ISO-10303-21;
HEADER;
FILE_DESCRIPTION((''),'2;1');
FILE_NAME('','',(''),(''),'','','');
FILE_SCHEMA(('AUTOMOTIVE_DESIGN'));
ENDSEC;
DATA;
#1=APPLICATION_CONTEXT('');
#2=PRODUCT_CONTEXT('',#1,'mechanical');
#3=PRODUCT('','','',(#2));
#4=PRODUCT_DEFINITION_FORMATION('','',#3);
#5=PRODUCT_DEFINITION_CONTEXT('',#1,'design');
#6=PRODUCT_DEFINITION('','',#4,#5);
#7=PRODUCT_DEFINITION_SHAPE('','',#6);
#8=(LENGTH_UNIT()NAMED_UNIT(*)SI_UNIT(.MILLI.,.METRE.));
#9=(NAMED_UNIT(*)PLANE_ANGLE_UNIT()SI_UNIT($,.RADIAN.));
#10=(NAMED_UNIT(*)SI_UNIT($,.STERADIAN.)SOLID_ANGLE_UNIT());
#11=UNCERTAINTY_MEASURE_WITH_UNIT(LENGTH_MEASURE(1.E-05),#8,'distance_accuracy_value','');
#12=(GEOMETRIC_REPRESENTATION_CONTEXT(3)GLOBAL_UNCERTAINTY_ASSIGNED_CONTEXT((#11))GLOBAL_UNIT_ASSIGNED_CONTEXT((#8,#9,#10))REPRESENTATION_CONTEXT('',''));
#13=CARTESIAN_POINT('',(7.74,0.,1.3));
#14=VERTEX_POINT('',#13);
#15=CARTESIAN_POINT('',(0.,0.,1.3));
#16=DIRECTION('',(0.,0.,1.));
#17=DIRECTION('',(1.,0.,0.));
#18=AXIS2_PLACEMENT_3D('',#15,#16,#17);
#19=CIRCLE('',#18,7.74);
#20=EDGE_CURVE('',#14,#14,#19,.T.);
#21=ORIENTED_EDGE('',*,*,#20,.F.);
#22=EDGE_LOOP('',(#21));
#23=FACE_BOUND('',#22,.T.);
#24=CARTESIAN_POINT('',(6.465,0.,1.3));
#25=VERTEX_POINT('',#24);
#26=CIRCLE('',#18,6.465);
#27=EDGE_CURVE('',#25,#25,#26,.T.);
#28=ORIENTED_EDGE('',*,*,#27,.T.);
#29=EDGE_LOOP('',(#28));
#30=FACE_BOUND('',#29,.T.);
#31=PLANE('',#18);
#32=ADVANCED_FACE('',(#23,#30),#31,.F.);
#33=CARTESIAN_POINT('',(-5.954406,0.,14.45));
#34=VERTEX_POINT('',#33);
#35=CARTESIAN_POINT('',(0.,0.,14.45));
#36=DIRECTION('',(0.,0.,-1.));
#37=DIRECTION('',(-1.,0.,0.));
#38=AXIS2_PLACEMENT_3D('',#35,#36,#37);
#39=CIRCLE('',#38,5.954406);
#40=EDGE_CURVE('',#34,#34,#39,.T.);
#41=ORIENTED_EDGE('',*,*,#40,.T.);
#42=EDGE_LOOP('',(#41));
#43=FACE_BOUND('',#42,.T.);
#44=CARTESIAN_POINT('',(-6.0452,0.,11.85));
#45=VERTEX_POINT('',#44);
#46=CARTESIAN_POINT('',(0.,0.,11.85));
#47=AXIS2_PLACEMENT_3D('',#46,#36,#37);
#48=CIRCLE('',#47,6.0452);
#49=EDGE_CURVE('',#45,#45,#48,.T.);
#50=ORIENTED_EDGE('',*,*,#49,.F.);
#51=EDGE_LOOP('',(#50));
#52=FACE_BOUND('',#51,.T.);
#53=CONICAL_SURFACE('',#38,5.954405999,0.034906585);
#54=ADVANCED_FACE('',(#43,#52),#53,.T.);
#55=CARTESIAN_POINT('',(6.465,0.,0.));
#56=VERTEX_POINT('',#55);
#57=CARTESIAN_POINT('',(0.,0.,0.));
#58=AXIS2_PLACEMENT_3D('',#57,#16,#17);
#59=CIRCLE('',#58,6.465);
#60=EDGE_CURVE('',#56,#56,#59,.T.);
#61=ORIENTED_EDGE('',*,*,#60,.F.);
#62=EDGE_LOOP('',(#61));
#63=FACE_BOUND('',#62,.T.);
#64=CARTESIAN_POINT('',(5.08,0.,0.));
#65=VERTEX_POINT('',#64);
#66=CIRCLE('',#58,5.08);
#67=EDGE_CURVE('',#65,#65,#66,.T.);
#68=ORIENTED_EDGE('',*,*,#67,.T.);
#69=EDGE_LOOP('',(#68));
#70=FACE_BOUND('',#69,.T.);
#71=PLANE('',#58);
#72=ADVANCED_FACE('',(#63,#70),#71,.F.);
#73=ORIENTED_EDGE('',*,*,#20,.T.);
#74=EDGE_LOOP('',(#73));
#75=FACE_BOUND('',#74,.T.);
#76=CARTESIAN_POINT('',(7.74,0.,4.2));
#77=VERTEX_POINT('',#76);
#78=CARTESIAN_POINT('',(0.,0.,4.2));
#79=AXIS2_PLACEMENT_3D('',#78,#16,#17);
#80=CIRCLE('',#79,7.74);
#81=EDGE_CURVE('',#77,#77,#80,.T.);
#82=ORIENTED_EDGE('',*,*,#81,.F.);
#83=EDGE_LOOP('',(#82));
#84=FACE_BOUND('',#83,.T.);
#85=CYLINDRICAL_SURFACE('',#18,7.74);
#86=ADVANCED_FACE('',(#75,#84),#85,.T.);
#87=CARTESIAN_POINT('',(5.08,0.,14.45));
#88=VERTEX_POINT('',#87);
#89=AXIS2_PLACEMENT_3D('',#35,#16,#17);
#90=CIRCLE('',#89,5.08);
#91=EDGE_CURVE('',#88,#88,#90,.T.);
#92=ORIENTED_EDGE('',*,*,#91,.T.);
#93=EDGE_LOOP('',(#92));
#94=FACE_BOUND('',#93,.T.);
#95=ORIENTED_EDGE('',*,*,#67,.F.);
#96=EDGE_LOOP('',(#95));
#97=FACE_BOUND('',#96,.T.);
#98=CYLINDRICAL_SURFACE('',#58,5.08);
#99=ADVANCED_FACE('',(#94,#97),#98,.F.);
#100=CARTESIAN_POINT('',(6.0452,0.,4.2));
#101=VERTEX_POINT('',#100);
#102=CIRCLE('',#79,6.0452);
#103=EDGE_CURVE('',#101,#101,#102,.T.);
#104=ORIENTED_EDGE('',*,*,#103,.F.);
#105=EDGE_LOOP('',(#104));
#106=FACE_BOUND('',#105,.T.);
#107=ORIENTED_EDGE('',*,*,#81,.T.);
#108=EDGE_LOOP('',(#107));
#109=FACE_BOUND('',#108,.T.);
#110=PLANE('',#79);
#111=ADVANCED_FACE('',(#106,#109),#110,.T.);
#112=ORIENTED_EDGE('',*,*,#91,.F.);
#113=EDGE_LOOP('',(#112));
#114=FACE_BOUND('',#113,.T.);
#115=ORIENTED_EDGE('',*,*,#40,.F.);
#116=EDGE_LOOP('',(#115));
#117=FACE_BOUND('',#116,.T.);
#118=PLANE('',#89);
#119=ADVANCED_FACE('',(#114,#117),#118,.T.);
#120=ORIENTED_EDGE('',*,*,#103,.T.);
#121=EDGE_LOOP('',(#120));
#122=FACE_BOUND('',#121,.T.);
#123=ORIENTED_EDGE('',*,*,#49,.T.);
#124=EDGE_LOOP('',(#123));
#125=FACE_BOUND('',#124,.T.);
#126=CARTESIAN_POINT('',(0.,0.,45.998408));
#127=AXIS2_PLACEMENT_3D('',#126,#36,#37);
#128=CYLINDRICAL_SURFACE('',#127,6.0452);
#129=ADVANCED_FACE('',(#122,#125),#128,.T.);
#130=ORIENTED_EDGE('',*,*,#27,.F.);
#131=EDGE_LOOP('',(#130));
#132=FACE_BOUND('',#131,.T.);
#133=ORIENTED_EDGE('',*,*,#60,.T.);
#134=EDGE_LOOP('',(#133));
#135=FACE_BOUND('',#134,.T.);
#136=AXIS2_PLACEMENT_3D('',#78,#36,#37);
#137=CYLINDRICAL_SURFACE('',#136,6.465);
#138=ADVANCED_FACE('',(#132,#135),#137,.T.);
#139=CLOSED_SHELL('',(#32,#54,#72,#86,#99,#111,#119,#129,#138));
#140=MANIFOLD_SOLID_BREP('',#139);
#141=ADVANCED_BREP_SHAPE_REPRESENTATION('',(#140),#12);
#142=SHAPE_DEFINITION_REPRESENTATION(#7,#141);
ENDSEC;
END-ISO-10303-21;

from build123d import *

# Parameters (mm, degrees)
SKETCH2_R           = 6.465
BOSS_EXTRUDE1_DEPTH = 4.2
SKETCH3_R           = 7.74
BOSS_EXTRUDE2_DEPTH = 2.9
SKETCH4_R           = 6.0452
BOSS_EXTRUDE3_DEPTH = 10.25
SKETCH5_R           = 5.08
CUT_EXTRUDE1_DEPTH  = 15.45


with BuildPart() as part:
    # Sketch2 → Boss-Extrude1 (new body)
    with BuildSketch(Plane.XY):
        Circle(SKETCH2_R)
    extrude(amount=BOSS_EXTRUDE1_DEPTH)

    # Sketch3 → Boss-Extrude2 (add)
    with BuildSketch(Plane.XY.offset(4.2)):
        Circle(SKETCH3_R)
    extrude(amount=-BOSS_EXTRUDE2_DEPTH)

    # Sketch4 → Boss-Extrude3 (add)
    with BuildSketch(Plane.XY.offset(4.2)):
        Circle(SKETCH4_R)
    extrude(amount=BOSS_EXTRUDE3_DEPTH)

    # Sketch5 → Cut-Extrude1 (cut, through all)
    with BuildSketch(Plane.XY.offset(14.45)):
        Circle(SKETCH5_R)
    extrude(amount=-CUT_EXTRUDE1_DEPTH, mode=Mode.SUBTRACT)

    # Sketch6 → Cut-Revolve1 (revolve, cut)
    with BuildSketch(Plane(origin=(0, 0, 0), x_dir=(0, 0, -1), z_dir=(1, 0, 0))):
        Polygon((-14.45, 5.954405999), (-11.85, 6.0452), (-14.45, 6.0452), align=None)
    revolve(axis=Axis((0, 0, 0), (0, 0, 1)), mode=Mode.SUBTRACT)


solid = part.part
